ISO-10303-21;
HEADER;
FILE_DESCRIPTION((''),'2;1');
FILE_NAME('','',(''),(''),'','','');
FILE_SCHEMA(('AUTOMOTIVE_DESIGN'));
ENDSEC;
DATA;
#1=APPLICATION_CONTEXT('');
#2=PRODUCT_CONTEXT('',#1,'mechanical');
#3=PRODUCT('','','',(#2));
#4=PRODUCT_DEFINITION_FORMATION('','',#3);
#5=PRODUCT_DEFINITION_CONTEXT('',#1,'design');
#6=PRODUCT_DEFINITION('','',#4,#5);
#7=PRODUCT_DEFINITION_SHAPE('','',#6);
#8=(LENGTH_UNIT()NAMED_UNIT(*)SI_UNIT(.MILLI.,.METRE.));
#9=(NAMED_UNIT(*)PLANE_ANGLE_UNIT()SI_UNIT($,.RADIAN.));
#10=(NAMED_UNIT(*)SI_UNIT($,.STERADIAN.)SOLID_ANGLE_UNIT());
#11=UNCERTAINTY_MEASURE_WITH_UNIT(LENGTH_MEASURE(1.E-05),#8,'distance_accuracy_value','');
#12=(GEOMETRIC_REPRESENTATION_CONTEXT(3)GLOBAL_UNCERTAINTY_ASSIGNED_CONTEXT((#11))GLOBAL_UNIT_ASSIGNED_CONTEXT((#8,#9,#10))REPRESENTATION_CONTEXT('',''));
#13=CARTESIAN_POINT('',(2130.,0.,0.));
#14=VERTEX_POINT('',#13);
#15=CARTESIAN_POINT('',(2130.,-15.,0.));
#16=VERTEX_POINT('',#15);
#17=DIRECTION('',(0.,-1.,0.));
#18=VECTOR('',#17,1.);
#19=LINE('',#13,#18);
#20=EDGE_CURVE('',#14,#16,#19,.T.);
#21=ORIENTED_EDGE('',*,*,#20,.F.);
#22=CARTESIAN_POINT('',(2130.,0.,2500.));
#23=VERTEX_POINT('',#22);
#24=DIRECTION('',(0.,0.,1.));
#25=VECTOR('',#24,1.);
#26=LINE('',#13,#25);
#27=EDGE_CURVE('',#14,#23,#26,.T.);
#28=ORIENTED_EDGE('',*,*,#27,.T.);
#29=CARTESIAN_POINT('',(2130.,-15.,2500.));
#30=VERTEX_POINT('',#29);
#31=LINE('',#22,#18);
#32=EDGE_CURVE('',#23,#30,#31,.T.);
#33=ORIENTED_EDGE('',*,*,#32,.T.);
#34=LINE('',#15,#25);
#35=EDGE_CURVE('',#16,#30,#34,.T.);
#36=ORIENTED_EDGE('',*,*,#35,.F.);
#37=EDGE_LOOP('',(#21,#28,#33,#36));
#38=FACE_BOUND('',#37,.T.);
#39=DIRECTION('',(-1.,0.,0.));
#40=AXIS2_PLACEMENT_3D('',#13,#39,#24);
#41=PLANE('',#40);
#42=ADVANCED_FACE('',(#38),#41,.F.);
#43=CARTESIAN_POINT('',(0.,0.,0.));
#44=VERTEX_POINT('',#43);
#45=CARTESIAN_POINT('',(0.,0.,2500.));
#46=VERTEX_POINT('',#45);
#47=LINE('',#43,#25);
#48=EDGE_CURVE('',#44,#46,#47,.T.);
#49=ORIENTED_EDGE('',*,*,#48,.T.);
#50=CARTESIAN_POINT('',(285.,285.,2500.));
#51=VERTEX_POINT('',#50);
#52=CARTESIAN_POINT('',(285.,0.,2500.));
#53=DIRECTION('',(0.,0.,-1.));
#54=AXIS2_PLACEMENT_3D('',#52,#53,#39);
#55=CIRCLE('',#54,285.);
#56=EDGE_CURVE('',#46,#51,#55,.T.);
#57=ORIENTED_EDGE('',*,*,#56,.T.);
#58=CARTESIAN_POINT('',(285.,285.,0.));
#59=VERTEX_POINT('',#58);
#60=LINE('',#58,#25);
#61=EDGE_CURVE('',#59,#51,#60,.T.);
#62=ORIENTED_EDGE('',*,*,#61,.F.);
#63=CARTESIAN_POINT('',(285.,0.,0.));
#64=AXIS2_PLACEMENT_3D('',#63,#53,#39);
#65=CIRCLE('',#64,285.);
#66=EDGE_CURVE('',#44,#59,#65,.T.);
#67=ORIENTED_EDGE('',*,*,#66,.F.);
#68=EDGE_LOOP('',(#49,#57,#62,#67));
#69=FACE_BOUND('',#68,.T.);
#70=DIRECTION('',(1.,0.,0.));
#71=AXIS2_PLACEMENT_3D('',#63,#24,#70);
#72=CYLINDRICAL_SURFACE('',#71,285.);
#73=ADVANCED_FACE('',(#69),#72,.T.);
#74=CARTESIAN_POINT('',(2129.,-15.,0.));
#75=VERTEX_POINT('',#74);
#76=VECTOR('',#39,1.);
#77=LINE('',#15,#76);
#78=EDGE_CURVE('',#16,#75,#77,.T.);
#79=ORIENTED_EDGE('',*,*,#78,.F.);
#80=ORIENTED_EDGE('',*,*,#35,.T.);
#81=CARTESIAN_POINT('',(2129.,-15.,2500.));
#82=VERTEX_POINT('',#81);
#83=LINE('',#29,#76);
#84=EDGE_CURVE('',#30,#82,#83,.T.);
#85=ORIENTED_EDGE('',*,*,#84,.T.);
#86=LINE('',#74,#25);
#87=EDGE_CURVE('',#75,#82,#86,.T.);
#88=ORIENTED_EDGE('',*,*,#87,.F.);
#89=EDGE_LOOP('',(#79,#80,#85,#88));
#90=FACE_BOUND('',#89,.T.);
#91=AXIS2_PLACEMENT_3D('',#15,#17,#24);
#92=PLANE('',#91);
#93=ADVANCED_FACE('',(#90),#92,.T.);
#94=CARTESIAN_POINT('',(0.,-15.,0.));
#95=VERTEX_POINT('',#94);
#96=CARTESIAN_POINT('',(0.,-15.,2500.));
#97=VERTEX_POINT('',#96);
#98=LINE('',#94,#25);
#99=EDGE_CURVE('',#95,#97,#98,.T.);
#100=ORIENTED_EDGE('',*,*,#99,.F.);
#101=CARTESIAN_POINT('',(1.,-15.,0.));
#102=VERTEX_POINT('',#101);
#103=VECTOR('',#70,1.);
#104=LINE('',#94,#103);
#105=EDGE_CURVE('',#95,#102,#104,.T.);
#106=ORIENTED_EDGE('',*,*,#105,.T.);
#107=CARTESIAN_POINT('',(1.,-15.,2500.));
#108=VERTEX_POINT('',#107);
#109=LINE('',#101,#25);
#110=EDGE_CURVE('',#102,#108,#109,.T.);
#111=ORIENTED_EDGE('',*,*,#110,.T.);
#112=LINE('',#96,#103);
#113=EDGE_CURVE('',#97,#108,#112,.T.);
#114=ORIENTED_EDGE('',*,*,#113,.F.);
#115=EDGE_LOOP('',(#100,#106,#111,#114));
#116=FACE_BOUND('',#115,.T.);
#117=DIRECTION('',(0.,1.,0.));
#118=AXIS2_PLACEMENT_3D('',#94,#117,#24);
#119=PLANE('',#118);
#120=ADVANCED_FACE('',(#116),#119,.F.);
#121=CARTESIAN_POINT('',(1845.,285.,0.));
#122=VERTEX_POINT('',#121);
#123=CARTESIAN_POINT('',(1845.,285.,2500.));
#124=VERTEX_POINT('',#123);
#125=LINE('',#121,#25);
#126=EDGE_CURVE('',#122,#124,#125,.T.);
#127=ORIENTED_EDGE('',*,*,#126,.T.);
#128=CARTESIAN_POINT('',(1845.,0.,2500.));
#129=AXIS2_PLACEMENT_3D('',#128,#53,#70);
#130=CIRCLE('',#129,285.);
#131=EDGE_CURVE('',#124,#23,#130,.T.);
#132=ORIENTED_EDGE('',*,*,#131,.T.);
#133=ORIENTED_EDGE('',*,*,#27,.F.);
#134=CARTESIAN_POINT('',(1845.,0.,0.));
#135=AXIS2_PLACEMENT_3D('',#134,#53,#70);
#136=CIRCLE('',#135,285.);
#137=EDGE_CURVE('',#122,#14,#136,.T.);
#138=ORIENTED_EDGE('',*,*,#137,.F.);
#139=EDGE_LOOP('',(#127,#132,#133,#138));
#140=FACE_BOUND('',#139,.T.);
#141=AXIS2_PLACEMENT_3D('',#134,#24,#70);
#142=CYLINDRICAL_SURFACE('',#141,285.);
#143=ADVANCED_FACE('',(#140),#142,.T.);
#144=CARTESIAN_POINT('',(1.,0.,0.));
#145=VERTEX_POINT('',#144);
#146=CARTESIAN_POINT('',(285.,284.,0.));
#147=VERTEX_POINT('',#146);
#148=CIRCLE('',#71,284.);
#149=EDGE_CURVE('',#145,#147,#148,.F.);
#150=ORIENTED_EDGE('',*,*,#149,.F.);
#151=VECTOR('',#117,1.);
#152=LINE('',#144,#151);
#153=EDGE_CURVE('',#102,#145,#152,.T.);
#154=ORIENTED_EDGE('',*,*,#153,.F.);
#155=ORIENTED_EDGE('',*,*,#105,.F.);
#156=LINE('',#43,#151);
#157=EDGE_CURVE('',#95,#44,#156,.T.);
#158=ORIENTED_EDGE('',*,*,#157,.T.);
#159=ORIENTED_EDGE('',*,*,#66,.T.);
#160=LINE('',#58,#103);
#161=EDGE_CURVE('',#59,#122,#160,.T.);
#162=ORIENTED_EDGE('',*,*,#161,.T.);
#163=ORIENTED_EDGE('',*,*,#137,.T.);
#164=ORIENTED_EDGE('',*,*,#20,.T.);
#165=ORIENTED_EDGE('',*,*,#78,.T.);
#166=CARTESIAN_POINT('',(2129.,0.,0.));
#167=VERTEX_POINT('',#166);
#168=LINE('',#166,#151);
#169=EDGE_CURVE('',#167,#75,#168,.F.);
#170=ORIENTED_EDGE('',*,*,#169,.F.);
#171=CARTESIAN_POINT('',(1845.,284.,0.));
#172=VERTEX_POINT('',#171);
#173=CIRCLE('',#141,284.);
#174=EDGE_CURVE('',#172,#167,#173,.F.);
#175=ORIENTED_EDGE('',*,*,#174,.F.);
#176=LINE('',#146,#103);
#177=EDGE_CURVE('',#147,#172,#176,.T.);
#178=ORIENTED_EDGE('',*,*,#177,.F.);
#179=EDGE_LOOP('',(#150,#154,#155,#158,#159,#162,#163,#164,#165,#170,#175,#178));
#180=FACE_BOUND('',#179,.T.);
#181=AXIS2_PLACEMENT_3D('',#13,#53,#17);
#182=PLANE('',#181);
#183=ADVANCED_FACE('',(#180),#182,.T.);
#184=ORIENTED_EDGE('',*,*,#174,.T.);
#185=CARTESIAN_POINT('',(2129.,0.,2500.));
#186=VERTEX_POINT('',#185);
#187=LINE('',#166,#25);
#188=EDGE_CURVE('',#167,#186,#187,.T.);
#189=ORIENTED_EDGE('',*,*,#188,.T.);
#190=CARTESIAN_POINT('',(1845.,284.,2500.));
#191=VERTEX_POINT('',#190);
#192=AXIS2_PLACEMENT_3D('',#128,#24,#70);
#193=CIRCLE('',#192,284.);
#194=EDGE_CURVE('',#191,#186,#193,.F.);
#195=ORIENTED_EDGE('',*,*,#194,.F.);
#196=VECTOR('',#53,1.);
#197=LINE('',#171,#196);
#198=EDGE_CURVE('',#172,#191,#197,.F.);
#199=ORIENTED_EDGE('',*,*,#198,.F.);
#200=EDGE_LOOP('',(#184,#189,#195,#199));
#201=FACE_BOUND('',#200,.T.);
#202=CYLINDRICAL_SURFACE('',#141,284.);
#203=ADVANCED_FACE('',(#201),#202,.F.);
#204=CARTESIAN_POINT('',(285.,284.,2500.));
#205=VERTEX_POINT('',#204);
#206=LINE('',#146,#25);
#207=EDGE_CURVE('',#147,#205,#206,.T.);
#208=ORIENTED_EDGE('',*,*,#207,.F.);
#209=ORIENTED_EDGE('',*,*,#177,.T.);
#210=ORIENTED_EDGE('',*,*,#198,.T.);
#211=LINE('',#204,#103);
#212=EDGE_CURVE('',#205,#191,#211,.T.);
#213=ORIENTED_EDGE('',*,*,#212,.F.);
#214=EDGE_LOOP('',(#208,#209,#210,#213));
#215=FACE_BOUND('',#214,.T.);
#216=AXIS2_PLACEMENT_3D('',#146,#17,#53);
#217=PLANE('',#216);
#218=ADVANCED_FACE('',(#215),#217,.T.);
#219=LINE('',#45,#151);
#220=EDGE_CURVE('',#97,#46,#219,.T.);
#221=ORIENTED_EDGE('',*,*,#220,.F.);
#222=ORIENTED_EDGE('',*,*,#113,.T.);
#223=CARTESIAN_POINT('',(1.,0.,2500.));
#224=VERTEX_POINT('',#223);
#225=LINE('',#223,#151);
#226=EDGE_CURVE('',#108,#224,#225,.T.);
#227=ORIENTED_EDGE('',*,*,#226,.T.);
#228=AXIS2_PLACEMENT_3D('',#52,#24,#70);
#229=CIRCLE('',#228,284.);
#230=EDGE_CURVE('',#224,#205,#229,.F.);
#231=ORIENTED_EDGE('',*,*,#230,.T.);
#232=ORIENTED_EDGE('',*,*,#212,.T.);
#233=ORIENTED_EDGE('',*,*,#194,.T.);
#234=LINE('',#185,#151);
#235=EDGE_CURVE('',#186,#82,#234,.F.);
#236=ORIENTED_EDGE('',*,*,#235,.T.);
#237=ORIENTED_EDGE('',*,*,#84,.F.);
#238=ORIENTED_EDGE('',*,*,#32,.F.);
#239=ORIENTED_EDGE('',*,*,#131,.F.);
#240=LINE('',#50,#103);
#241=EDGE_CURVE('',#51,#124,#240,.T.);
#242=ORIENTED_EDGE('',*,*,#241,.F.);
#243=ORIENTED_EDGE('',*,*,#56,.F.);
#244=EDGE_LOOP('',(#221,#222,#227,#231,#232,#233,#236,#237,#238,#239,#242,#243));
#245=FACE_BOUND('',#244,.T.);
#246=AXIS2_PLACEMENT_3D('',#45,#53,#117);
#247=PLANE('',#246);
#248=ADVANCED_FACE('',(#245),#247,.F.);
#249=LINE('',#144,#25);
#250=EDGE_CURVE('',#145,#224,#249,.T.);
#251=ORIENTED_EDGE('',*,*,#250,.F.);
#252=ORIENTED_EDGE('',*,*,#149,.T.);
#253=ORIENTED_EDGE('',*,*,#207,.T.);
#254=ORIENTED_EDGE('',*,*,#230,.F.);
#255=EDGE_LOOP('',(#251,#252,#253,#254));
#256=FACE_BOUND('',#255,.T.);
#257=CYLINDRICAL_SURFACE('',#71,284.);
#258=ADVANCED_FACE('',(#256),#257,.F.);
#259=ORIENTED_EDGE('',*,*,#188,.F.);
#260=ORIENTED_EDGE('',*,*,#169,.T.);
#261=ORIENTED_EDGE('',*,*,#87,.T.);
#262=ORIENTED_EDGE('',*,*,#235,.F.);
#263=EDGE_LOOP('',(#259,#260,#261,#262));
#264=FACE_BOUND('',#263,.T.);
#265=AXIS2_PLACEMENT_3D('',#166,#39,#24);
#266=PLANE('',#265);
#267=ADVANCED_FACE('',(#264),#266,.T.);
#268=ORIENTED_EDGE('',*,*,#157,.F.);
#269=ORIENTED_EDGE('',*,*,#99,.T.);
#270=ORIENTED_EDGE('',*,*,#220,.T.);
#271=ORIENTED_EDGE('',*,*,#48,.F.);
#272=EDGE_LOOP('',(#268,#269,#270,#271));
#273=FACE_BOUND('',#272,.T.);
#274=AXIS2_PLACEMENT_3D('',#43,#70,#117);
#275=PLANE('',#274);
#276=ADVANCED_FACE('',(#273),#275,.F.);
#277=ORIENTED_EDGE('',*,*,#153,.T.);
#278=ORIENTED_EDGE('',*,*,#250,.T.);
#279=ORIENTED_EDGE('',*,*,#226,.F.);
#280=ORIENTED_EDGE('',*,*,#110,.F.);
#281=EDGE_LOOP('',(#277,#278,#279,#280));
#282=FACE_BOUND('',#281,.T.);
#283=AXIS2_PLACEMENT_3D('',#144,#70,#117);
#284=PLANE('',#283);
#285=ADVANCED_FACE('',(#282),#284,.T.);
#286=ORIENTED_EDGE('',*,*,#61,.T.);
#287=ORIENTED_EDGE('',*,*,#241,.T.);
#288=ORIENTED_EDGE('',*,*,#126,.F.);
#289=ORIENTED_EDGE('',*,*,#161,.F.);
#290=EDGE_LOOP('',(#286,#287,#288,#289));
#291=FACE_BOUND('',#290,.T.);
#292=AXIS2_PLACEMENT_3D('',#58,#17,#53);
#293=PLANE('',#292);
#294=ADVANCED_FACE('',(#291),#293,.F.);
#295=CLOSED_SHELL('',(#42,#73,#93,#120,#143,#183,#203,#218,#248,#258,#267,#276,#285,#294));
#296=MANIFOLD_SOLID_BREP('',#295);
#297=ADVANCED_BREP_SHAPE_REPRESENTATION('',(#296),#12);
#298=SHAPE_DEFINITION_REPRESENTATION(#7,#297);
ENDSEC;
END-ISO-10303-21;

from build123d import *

# Parameters (mm, degrees)
SURFACE_EXTRUDE2_1_DEPTH = 2500
THICKEN1_T2              = 1


with BuildPart() as body_1:
    # Surface-Extrude2: a surface, the sketch's curves swept straight by 2500 mm
    with BuildLine(Plane.XY, mode=Mode.PRIVATE) as surface_extrude2_1_path:
        Line((0, -15), (0, 0))
        ThreePointArc((0, 0), (83.474567362, 201.525432638), (285, 285))
        Line((285, 285), (1845, 285))
        ThreePointArc((1845, 285), (2046.525432638, 201.525432638), (2130, 0))
        Line((2130, 0), (2130, -15))
    surface_extrude2_1 = Shell.extrude(surface_extrude2_1_path.wire(), (0 * SURFACE_EXTRUDE2_1_DEPTH, 0 * SURFACE_EXTRUDE2_1_DEPTH, 1 * SURFACE_EXTRUDE2_1_DEPTH))
    add(Solid.thicken(surface_extrude2_1, -THICKEN1_T2))


solid = body_1.part
